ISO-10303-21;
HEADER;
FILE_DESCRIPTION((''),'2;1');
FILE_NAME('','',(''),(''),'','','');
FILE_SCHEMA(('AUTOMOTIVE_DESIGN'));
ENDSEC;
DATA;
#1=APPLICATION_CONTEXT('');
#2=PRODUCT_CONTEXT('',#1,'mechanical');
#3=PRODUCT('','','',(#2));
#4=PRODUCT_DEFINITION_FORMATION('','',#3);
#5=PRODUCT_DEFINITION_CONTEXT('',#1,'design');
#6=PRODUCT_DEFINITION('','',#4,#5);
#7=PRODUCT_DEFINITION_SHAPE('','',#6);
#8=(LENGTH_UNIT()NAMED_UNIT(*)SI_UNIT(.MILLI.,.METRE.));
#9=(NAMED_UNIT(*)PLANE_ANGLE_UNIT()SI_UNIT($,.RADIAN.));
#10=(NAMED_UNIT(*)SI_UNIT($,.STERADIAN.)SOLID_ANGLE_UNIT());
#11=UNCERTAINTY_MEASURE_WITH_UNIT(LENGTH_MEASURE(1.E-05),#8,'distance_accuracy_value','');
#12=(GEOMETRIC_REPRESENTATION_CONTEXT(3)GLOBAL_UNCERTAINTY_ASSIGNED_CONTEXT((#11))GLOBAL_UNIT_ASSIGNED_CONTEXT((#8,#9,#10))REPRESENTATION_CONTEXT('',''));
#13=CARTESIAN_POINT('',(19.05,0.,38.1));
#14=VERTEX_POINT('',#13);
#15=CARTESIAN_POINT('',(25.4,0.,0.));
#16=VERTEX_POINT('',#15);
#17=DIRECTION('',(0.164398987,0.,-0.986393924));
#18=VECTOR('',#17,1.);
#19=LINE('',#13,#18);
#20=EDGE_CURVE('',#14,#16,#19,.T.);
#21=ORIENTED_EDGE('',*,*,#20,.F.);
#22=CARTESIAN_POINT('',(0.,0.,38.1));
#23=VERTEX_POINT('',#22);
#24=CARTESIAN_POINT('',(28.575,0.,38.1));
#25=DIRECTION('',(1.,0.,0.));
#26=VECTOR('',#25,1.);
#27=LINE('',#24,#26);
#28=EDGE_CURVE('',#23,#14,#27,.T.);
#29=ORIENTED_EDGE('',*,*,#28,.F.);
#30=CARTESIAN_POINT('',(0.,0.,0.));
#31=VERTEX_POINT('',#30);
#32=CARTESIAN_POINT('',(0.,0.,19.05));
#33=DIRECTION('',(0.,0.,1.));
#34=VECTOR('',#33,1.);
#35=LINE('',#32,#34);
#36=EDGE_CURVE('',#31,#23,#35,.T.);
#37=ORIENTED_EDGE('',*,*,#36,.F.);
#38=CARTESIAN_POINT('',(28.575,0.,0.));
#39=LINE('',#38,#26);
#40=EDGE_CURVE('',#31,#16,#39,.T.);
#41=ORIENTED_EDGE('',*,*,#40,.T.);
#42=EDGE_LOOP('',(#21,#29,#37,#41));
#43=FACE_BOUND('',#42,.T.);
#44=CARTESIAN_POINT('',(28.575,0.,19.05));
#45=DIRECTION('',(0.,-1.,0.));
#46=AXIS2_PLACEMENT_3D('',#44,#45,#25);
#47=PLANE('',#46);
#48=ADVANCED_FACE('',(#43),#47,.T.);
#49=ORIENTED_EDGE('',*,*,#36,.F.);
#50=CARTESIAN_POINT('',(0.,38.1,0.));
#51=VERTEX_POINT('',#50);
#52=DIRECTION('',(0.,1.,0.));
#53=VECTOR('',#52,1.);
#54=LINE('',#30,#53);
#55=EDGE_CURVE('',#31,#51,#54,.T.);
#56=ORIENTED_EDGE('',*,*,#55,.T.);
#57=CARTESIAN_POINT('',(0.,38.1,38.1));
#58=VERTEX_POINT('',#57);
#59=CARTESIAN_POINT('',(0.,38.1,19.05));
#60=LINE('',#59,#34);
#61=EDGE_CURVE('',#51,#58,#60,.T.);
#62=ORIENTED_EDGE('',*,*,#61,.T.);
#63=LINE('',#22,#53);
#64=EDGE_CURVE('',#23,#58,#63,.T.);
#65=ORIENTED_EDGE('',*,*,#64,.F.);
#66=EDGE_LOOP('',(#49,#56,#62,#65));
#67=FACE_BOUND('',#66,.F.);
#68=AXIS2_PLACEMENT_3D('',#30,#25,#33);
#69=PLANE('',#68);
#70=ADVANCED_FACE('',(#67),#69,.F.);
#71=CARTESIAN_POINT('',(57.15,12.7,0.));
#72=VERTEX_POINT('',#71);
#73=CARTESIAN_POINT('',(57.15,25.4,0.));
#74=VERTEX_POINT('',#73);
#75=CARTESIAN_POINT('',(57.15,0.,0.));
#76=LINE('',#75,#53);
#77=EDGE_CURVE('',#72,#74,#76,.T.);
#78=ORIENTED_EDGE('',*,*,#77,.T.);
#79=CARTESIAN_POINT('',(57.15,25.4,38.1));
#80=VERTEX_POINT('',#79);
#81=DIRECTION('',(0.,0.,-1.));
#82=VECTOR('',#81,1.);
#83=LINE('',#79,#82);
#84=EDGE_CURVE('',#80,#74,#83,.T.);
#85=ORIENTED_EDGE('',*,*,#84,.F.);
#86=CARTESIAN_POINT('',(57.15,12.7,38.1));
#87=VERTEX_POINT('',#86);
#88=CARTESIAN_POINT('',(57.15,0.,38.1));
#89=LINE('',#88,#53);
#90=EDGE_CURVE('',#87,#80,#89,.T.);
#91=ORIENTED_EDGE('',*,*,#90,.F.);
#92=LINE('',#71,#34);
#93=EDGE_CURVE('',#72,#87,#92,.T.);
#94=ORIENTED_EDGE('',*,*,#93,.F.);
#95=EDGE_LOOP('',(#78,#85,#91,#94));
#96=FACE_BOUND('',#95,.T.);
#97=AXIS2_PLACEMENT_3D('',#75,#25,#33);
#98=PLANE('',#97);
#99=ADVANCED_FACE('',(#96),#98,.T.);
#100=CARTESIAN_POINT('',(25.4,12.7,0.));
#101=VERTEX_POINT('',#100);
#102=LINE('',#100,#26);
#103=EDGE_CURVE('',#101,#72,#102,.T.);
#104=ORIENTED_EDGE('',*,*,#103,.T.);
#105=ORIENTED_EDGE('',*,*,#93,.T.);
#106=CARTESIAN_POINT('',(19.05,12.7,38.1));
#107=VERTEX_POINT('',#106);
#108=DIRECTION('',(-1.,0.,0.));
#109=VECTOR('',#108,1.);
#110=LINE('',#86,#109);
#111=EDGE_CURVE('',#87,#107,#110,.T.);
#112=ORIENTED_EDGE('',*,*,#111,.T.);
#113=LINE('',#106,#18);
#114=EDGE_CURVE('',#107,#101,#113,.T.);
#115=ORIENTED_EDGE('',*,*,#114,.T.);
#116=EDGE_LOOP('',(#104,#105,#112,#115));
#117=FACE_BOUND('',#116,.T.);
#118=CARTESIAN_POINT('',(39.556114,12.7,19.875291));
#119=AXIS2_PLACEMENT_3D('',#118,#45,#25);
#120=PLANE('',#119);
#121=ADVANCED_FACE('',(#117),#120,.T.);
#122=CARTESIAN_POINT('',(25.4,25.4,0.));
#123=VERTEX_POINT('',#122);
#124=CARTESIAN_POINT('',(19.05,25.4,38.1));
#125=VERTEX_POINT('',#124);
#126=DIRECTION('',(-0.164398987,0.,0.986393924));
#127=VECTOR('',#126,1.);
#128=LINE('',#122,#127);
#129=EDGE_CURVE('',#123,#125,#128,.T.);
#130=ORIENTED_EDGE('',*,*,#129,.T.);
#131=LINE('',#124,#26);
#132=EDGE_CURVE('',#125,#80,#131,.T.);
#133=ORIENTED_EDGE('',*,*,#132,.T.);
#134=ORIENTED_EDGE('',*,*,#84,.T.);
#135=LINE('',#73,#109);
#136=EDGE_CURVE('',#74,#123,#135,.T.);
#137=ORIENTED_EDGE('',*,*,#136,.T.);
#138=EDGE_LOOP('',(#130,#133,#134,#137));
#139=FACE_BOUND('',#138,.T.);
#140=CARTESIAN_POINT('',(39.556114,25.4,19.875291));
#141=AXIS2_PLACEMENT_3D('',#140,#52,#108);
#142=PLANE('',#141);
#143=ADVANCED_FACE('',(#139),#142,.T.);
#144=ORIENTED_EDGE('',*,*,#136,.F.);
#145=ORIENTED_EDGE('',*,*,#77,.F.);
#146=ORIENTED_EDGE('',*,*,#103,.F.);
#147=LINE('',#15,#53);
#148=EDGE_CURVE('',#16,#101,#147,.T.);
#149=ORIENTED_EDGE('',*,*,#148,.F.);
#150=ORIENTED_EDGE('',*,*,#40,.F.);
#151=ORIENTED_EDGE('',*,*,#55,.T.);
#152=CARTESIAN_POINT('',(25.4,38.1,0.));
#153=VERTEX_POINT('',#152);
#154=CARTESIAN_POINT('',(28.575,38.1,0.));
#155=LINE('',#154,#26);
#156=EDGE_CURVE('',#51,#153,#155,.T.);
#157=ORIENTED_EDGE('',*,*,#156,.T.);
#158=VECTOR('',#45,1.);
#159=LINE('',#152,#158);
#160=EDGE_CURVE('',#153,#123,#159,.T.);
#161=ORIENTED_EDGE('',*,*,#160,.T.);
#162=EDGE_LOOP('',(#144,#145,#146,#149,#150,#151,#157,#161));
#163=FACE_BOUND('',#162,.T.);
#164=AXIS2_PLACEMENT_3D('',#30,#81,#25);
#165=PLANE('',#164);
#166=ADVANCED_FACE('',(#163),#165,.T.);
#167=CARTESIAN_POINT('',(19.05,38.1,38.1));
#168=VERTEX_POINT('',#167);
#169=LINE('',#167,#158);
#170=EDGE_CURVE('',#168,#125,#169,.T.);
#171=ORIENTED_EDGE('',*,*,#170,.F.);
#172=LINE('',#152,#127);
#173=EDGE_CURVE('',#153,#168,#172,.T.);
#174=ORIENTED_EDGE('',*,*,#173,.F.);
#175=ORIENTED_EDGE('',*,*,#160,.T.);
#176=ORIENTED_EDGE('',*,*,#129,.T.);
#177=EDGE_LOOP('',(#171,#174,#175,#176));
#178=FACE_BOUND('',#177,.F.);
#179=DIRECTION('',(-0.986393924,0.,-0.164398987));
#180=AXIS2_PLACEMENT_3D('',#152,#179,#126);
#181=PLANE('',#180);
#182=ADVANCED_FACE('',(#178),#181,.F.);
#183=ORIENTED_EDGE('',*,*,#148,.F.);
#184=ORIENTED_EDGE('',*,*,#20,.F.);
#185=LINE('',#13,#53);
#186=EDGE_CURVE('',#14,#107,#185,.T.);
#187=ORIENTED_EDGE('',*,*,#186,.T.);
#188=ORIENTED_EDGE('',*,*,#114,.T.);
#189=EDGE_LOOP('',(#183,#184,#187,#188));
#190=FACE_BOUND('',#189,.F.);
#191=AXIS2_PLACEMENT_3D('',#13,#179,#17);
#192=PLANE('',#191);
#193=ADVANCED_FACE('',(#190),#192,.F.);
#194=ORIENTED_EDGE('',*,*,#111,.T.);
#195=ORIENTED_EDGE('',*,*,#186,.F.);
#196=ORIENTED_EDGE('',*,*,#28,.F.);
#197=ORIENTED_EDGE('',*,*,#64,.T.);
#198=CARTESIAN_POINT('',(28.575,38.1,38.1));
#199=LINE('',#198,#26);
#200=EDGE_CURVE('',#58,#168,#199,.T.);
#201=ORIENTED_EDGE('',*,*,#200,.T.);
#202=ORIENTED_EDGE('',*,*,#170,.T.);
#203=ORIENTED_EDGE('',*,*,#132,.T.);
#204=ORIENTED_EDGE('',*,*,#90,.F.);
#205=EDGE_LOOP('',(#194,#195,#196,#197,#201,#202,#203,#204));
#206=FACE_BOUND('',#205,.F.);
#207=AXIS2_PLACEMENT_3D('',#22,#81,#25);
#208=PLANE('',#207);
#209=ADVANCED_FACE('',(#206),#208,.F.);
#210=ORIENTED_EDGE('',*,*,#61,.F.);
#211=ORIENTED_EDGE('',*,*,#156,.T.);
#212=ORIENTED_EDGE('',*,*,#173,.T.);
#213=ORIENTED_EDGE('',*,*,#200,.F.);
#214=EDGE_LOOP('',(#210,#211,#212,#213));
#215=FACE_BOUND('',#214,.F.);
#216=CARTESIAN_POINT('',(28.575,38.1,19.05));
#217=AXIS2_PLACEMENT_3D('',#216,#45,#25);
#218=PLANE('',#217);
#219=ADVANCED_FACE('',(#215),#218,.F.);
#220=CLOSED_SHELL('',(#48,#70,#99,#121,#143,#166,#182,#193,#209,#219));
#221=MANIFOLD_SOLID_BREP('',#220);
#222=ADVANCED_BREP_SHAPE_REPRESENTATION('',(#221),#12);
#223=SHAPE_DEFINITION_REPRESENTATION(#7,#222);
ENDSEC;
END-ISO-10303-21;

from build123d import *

# Parameters (mm, degrees)
F0_W     = 57.15
F0_H     = 38.1
F1_DEPTH = 38.1
F3_DEPTH = 12.7
F5_DEPTH = 12.7


with BuildPart() as f1:
    # F0 (on Front) → F1 (new body)
    with BuildSketch(Plane.XZ):
        with Locations((28.575, 19.05)):
            Rectangle(F0_W, F0_H)
    extrude(amount=-F1_DEPTH)

    # F2 (on face) → F3 (cut)
    with BuildSketch(Plane.XZ):
        Polygon((57.15, 38.1), (19.05, 38.1), (25.4, 0), (57.15, 0), align=None)
    extrude(amount=-F3_DEPTH, mode=Mode.SUBTRACT)

    # F4 (on face) → F5 (cut)
    with BuildSketch(Plane(origin=(0, 38.1, 0), x_dir=(-1, 0, 0), z_dir=(0, 1, 0))):
        Polygon((-25.4, 0), (-19.05, 38.1), (-57.15, 38.1), (-57.15, 0), align=None)
    extrude(amount=-F5_DEPTH, mode=Mode.SUBTRACT)


solid = f1.part
